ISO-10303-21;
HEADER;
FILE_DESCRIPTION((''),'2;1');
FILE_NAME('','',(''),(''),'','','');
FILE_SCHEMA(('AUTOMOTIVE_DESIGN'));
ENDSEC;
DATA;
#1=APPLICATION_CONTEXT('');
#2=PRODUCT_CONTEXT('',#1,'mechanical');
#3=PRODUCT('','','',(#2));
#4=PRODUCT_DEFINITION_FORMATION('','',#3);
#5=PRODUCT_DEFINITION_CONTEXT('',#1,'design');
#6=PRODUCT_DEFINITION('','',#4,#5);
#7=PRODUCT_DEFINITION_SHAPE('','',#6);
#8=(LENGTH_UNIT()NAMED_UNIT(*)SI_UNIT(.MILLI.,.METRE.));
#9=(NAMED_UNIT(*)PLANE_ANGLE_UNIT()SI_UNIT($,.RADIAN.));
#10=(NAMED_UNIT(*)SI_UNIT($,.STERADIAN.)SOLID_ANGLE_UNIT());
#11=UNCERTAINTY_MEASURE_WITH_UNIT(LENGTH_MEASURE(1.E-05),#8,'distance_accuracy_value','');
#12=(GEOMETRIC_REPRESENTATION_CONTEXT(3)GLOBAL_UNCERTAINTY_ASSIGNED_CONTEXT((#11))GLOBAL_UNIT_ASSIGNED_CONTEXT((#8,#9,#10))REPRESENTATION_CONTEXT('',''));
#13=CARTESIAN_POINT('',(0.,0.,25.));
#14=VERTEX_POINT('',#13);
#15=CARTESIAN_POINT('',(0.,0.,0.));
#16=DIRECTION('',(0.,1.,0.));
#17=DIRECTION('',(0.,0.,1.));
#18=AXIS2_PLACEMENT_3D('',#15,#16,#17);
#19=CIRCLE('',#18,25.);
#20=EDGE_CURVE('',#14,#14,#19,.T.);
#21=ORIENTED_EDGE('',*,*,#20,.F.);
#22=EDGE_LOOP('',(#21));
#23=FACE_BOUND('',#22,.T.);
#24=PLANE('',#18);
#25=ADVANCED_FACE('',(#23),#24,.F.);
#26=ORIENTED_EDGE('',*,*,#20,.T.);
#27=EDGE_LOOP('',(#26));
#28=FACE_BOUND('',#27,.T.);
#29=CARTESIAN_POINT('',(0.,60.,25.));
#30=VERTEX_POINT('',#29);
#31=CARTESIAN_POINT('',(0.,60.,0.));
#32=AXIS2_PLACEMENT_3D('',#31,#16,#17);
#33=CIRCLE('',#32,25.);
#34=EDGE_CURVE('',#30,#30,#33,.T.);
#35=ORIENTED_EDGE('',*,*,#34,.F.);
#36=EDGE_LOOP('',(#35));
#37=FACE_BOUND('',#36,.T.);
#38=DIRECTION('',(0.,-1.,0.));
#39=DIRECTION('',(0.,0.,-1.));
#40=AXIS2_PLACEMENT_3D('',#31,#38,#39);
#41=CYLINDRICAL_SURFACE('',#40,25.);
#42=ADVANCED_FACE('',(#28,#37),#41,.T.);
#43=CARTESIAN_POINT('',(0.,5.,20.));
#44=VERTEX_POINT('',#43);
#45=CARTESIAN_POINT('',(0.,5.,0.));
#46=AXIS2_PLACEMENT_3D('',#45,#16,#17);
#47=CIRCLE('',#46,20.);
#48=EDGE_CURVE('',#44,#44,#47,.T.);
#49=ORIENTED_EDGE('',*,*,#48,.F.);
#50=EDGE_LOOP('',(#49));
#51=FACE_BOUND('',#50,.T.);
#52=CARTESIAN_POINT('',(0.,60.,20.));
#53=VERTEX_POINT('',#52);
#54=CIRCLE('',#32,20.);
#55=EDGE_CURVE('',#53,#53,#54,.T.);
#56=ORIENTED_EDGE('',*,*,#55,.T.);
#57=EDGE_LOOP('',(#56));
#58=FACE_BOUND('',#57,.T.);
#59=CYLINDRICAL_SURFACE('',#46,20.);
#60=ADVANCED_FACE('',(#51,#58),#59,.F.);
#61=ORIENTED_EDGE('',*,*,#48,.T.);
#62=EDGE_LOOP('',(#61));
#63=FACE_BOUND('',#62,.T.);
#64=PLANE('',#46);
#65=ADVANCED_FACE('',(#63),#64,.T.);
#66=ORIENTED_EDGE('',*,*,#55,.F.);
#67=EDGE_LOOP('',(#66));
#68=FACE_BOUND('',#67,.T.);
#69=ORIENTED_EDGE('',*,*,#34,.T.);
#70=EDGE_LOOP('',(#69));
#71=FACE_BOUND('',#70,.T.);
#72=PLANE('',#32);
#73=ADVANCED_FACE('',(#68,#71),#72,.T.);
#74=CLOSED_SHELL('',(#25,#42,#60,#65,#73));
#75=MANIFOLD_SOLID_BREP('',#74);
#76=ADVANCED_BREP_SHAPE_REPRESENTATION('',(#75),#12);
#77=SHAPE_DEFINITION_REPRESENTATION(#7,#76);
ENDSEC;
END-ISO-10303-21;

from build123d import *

# Parameters (mm, degrees)
ESQUISSE1_R             = 25
BOSS_EXTRU_1_DEPTH      = 60
ESQUISSE2_R             = 20
ENL_V_MAT_EXTRU_1_DEPTH = 55


with BuildPart() as part:
    # Esquisse1 → Boss.-Extru.1 (new body)
    with BuildSketch(Plane(origin=(0, 0, 0), x_dir=(1, 0, 0), z_dir=(0, 1, 0))):
        with Locations(Location((0, 0, 0), (0, 0, 270))):
            Circle(ESQUISSE1_R)
    extrude(amount=BOSS_EXTRU_1_DEPTH)

    # Esquisse2 → Enlèv. mat.-Extru.1 (cut)
    with BuildSketch(Plane(origin=(0, 60, 0), x_dir=(1, 0, 0), z_dir=(0, 1, 0))):
        with Locations(Location((0, 0, 0), (0, 0, 270))):
            Circle(ESQUISSE2_R)
    extrude(amount=-ENL_V_MAT_EXTRU_1_DEPTH, mode=Mode.SUBTRACT)


solid = part.part
